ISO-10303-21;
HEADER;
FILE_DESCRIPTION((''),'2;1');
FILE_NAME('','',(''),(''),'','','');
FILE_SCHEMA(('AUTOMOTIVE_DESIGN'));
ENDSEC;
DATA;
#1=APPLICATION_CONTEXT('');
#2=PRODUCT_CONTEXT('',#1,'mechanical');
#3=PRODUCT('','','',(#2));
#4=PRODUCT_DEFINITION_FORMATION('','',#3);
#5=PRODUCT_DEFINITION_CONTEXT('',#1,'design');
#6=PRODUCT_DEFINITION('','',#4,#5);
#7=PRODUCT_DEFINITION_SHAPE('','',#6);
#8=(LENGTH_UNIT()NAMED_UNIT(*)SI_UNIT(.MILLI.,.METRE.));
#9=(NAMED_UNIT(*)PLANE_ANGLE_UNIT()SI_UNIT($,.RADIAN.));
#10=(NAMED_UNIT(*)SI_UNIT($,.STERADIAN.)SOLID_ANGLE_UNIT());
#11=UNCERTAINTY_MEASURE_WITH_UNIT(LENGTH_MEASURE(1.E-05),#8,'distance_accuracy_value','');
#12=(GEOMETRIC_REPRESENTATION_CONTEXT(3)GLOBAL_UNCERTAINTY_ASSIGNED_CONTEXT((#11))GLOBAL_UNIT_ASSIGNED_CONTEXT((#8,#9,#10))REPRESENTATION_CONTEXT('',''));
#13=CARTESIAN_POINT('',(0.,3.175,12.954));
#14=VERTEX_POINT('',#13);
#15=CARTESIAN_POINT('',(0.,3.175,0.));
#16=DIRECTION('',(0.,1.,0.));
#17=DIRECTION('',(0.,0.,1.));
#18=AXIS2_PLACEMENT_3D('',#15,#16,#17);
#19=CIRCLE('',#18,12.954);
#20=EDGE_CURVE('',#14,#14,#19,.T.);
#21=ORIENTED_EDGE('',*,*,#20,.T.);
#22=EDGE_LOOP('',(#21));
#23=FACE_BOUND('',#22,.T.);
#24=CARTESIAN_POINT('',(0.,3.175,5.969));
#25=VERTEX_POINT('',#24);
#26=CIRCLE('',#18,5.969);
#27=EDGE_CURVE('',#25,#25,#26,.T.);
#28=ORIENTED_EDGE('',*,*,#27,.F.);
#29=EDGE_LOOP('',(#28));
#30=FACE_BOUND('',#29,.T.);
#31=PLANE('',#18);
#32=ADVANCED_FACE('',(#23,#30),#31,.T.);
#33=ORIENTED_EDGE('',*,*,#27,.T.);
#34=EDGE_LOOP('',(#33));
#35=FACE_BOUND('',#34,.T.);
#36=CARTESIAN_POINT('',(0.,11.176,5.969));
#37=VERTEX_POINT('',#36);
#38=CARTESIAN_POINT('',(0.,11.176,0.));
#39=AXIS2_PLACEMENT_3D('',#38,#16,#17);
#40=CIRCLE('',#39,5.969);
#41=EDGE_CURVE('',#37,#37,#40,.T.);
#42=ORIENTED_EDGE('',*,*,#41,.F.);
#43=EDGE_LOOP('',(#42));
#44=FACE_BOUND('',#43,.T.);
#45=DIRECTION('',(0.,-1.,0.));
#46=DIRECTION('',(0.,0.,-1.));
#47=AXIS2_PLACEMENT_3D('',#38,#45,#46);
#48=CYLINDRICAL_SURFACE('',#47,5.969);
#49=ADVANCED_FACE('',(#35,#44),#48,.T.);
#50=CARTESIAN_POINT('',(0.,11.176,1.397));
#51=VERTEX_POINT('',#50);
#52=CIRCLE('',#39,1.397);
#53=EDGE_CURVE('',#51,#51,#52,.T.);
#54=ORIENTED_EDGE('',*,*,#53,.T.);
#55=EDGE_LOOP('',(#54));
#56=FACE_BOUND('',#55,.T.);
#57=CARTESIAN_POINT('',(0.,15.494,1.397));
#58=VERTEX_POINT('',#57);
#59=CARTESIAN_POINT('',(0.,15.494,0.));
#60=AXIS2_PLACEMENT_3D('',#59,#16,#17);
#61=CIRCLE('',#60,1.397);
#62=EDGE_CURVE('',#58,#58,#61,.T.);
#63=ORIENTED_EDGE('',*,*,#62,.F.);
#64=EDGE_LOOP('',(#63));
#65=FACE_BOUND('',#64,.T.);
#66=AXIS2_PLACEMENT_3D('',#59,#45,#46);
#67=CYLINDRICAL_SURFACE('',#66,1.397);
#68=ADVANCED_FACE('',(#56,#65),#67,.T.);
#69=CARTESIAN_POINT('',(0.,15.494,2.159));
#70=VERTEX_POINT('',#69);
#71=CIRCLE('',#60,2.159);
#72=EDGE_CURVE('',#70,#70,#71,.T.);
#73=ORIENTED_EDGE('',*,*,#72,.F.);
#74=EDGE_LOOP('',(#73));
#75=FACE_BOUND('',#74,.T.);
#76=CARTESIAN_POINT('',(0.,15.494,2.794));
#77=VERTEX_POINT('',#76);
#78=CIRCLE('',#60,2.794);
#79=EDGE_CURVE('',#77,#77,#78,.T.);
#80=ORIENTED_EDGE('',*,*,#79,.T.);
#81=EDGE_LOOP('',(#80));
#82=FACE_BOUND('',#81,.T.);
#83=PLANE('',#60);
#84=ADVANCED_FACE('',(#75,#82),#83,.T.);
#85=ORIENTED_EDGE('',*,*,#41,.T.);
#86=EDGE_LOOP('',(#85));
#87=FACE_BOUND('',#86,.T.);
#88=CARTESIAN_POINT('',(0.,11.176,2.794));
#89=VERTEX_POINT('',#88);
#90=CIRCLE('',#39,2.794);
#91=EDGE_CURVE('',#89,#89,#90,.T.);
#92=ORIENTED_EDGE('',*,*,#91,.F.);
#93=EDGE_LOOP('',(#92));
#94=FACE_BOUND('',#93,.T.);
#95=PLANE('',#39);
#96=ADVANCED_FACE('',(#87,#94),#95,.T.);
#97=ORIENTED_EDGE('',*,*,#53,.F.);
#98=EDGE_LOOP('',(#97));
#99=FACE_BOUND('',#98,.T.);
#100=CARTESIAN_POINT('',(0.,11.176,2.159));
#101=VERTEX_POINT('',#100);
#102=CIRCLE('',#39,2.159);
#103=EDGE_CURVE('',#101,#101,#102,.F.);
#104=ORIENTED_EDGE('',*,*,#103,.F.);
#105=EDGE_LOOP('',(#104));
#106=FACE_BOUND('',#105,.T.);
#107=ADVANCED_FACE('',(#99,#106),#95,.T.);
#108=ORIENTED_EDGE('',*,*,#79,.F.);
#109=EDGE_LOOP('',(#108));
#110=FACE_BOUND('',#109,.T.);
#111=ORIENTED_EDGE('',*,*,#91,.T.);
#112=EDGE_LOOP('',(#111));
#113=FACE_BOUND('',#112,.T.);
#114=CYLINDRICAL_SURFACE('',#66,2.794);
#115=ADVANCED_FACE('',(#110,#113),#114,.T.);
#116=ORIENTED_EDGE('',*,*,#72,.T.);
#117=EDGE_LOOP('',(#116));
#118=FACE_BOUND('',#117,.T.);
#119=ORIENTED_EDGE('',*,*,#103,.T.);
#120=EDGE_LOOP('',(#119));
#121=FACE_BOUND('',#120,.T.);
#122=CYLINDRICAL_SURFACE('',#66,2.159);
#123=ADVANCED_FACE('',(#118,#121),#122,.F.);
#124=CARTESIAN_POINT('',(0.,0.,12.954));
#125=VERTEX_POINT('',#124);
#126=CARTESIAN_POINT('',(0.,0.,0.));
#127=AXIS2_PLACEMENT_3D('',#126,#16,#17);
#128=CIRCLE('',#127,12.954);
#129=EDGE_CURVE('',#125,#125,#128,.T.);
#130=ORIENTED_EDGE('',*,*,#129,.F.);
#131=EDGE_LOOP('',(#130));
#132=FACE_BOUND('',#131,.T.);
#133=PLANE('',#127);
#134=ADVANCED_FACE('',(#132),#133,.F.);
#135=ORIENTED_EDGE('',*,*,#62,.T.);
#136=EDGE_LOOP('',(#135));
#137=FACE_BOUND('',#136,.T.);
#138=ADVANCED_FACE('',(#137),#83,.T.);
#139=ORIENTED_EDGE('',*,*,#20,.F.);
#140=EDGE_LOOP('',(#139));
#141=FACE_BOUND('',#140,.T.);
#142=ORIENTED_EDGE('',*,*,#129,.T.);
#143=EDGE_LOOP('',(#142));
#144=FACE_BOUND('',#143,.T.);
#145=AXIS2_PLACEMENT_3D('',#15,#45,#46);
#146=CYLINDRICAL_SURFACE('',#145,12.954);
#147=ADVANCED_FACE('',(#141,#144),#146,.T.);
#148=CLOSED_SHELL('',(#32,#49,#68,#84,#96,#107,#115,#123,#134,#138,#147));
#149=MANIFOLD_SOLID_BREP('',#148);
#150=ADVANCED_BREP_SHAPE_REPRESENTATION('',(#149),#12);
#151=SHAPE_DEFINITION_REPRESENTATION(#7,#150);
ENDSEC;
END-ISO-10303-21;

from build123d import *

# Parameters (mm, degrees)
SKETCH2_R           = 12.954
BOSS_EXTRUDE1_DEPTH = 3.175
SKETCH3_R           = 5.969
BOSS_EXTRUDE2_DEPTH = 8.001
SKETCH4_R           = 2.794
SKETCH4_R_2         = 2.159
SKETCH4_R_3         = 1.397
BOSS_EXTRUDE3_DEPTH = 4.318


with BuildPart() as part:
    # Sketch2 → Boss-Extrude1 (new body)
    with BuildSketch(Plane(origin=(0, 0, 0), x_dir=(1, 0, 0), z_dir=(0, 1, 0))):
        with Locations(Location((0, 0, 0), (0, 0, 270))):
            Circle(SKETCH2_R)
    extrude(amount=BOSS_EXTRUDE1_DEPTH)

    # Sketch3 → Boss-Extrude2 (add)
    with BuildSketch(Plane(origin=(0, 3.175, 0), x_dir=(1, 0, 0), z_dir=(0, 1, 0))):
        with Locations(Location((0, 0, 0), (0, 0, 270))):
            Circle(SKETCH3_R)
    extrude(amount=BOSS_EXTRUDE2_DEPTH)

    # Sketch4 → Boss-Extrude3 (add)
    with BuildSketch(Plane(origin=(0, 11.176, 0), x_dir=(1, 0, 0), z_dir=(0, 1, 0))):
        with Locations(Location((0, 0, 0), (0, 0, 270))):
            Circle(SKETCH4_R)
        with Locations(Location((0, 0, 0), (0, 0, 270))):
            Circle(SKETCH4_R_2, mode=Mode.SUBTRACT)
        with Locations(Location((0, 0, 0), (0, 0, 270))):
            Circle(SKETCH4_R_3)
    extrude(amount=BOSS_EXTRUDE3_DEPTH)


solid = part.part
